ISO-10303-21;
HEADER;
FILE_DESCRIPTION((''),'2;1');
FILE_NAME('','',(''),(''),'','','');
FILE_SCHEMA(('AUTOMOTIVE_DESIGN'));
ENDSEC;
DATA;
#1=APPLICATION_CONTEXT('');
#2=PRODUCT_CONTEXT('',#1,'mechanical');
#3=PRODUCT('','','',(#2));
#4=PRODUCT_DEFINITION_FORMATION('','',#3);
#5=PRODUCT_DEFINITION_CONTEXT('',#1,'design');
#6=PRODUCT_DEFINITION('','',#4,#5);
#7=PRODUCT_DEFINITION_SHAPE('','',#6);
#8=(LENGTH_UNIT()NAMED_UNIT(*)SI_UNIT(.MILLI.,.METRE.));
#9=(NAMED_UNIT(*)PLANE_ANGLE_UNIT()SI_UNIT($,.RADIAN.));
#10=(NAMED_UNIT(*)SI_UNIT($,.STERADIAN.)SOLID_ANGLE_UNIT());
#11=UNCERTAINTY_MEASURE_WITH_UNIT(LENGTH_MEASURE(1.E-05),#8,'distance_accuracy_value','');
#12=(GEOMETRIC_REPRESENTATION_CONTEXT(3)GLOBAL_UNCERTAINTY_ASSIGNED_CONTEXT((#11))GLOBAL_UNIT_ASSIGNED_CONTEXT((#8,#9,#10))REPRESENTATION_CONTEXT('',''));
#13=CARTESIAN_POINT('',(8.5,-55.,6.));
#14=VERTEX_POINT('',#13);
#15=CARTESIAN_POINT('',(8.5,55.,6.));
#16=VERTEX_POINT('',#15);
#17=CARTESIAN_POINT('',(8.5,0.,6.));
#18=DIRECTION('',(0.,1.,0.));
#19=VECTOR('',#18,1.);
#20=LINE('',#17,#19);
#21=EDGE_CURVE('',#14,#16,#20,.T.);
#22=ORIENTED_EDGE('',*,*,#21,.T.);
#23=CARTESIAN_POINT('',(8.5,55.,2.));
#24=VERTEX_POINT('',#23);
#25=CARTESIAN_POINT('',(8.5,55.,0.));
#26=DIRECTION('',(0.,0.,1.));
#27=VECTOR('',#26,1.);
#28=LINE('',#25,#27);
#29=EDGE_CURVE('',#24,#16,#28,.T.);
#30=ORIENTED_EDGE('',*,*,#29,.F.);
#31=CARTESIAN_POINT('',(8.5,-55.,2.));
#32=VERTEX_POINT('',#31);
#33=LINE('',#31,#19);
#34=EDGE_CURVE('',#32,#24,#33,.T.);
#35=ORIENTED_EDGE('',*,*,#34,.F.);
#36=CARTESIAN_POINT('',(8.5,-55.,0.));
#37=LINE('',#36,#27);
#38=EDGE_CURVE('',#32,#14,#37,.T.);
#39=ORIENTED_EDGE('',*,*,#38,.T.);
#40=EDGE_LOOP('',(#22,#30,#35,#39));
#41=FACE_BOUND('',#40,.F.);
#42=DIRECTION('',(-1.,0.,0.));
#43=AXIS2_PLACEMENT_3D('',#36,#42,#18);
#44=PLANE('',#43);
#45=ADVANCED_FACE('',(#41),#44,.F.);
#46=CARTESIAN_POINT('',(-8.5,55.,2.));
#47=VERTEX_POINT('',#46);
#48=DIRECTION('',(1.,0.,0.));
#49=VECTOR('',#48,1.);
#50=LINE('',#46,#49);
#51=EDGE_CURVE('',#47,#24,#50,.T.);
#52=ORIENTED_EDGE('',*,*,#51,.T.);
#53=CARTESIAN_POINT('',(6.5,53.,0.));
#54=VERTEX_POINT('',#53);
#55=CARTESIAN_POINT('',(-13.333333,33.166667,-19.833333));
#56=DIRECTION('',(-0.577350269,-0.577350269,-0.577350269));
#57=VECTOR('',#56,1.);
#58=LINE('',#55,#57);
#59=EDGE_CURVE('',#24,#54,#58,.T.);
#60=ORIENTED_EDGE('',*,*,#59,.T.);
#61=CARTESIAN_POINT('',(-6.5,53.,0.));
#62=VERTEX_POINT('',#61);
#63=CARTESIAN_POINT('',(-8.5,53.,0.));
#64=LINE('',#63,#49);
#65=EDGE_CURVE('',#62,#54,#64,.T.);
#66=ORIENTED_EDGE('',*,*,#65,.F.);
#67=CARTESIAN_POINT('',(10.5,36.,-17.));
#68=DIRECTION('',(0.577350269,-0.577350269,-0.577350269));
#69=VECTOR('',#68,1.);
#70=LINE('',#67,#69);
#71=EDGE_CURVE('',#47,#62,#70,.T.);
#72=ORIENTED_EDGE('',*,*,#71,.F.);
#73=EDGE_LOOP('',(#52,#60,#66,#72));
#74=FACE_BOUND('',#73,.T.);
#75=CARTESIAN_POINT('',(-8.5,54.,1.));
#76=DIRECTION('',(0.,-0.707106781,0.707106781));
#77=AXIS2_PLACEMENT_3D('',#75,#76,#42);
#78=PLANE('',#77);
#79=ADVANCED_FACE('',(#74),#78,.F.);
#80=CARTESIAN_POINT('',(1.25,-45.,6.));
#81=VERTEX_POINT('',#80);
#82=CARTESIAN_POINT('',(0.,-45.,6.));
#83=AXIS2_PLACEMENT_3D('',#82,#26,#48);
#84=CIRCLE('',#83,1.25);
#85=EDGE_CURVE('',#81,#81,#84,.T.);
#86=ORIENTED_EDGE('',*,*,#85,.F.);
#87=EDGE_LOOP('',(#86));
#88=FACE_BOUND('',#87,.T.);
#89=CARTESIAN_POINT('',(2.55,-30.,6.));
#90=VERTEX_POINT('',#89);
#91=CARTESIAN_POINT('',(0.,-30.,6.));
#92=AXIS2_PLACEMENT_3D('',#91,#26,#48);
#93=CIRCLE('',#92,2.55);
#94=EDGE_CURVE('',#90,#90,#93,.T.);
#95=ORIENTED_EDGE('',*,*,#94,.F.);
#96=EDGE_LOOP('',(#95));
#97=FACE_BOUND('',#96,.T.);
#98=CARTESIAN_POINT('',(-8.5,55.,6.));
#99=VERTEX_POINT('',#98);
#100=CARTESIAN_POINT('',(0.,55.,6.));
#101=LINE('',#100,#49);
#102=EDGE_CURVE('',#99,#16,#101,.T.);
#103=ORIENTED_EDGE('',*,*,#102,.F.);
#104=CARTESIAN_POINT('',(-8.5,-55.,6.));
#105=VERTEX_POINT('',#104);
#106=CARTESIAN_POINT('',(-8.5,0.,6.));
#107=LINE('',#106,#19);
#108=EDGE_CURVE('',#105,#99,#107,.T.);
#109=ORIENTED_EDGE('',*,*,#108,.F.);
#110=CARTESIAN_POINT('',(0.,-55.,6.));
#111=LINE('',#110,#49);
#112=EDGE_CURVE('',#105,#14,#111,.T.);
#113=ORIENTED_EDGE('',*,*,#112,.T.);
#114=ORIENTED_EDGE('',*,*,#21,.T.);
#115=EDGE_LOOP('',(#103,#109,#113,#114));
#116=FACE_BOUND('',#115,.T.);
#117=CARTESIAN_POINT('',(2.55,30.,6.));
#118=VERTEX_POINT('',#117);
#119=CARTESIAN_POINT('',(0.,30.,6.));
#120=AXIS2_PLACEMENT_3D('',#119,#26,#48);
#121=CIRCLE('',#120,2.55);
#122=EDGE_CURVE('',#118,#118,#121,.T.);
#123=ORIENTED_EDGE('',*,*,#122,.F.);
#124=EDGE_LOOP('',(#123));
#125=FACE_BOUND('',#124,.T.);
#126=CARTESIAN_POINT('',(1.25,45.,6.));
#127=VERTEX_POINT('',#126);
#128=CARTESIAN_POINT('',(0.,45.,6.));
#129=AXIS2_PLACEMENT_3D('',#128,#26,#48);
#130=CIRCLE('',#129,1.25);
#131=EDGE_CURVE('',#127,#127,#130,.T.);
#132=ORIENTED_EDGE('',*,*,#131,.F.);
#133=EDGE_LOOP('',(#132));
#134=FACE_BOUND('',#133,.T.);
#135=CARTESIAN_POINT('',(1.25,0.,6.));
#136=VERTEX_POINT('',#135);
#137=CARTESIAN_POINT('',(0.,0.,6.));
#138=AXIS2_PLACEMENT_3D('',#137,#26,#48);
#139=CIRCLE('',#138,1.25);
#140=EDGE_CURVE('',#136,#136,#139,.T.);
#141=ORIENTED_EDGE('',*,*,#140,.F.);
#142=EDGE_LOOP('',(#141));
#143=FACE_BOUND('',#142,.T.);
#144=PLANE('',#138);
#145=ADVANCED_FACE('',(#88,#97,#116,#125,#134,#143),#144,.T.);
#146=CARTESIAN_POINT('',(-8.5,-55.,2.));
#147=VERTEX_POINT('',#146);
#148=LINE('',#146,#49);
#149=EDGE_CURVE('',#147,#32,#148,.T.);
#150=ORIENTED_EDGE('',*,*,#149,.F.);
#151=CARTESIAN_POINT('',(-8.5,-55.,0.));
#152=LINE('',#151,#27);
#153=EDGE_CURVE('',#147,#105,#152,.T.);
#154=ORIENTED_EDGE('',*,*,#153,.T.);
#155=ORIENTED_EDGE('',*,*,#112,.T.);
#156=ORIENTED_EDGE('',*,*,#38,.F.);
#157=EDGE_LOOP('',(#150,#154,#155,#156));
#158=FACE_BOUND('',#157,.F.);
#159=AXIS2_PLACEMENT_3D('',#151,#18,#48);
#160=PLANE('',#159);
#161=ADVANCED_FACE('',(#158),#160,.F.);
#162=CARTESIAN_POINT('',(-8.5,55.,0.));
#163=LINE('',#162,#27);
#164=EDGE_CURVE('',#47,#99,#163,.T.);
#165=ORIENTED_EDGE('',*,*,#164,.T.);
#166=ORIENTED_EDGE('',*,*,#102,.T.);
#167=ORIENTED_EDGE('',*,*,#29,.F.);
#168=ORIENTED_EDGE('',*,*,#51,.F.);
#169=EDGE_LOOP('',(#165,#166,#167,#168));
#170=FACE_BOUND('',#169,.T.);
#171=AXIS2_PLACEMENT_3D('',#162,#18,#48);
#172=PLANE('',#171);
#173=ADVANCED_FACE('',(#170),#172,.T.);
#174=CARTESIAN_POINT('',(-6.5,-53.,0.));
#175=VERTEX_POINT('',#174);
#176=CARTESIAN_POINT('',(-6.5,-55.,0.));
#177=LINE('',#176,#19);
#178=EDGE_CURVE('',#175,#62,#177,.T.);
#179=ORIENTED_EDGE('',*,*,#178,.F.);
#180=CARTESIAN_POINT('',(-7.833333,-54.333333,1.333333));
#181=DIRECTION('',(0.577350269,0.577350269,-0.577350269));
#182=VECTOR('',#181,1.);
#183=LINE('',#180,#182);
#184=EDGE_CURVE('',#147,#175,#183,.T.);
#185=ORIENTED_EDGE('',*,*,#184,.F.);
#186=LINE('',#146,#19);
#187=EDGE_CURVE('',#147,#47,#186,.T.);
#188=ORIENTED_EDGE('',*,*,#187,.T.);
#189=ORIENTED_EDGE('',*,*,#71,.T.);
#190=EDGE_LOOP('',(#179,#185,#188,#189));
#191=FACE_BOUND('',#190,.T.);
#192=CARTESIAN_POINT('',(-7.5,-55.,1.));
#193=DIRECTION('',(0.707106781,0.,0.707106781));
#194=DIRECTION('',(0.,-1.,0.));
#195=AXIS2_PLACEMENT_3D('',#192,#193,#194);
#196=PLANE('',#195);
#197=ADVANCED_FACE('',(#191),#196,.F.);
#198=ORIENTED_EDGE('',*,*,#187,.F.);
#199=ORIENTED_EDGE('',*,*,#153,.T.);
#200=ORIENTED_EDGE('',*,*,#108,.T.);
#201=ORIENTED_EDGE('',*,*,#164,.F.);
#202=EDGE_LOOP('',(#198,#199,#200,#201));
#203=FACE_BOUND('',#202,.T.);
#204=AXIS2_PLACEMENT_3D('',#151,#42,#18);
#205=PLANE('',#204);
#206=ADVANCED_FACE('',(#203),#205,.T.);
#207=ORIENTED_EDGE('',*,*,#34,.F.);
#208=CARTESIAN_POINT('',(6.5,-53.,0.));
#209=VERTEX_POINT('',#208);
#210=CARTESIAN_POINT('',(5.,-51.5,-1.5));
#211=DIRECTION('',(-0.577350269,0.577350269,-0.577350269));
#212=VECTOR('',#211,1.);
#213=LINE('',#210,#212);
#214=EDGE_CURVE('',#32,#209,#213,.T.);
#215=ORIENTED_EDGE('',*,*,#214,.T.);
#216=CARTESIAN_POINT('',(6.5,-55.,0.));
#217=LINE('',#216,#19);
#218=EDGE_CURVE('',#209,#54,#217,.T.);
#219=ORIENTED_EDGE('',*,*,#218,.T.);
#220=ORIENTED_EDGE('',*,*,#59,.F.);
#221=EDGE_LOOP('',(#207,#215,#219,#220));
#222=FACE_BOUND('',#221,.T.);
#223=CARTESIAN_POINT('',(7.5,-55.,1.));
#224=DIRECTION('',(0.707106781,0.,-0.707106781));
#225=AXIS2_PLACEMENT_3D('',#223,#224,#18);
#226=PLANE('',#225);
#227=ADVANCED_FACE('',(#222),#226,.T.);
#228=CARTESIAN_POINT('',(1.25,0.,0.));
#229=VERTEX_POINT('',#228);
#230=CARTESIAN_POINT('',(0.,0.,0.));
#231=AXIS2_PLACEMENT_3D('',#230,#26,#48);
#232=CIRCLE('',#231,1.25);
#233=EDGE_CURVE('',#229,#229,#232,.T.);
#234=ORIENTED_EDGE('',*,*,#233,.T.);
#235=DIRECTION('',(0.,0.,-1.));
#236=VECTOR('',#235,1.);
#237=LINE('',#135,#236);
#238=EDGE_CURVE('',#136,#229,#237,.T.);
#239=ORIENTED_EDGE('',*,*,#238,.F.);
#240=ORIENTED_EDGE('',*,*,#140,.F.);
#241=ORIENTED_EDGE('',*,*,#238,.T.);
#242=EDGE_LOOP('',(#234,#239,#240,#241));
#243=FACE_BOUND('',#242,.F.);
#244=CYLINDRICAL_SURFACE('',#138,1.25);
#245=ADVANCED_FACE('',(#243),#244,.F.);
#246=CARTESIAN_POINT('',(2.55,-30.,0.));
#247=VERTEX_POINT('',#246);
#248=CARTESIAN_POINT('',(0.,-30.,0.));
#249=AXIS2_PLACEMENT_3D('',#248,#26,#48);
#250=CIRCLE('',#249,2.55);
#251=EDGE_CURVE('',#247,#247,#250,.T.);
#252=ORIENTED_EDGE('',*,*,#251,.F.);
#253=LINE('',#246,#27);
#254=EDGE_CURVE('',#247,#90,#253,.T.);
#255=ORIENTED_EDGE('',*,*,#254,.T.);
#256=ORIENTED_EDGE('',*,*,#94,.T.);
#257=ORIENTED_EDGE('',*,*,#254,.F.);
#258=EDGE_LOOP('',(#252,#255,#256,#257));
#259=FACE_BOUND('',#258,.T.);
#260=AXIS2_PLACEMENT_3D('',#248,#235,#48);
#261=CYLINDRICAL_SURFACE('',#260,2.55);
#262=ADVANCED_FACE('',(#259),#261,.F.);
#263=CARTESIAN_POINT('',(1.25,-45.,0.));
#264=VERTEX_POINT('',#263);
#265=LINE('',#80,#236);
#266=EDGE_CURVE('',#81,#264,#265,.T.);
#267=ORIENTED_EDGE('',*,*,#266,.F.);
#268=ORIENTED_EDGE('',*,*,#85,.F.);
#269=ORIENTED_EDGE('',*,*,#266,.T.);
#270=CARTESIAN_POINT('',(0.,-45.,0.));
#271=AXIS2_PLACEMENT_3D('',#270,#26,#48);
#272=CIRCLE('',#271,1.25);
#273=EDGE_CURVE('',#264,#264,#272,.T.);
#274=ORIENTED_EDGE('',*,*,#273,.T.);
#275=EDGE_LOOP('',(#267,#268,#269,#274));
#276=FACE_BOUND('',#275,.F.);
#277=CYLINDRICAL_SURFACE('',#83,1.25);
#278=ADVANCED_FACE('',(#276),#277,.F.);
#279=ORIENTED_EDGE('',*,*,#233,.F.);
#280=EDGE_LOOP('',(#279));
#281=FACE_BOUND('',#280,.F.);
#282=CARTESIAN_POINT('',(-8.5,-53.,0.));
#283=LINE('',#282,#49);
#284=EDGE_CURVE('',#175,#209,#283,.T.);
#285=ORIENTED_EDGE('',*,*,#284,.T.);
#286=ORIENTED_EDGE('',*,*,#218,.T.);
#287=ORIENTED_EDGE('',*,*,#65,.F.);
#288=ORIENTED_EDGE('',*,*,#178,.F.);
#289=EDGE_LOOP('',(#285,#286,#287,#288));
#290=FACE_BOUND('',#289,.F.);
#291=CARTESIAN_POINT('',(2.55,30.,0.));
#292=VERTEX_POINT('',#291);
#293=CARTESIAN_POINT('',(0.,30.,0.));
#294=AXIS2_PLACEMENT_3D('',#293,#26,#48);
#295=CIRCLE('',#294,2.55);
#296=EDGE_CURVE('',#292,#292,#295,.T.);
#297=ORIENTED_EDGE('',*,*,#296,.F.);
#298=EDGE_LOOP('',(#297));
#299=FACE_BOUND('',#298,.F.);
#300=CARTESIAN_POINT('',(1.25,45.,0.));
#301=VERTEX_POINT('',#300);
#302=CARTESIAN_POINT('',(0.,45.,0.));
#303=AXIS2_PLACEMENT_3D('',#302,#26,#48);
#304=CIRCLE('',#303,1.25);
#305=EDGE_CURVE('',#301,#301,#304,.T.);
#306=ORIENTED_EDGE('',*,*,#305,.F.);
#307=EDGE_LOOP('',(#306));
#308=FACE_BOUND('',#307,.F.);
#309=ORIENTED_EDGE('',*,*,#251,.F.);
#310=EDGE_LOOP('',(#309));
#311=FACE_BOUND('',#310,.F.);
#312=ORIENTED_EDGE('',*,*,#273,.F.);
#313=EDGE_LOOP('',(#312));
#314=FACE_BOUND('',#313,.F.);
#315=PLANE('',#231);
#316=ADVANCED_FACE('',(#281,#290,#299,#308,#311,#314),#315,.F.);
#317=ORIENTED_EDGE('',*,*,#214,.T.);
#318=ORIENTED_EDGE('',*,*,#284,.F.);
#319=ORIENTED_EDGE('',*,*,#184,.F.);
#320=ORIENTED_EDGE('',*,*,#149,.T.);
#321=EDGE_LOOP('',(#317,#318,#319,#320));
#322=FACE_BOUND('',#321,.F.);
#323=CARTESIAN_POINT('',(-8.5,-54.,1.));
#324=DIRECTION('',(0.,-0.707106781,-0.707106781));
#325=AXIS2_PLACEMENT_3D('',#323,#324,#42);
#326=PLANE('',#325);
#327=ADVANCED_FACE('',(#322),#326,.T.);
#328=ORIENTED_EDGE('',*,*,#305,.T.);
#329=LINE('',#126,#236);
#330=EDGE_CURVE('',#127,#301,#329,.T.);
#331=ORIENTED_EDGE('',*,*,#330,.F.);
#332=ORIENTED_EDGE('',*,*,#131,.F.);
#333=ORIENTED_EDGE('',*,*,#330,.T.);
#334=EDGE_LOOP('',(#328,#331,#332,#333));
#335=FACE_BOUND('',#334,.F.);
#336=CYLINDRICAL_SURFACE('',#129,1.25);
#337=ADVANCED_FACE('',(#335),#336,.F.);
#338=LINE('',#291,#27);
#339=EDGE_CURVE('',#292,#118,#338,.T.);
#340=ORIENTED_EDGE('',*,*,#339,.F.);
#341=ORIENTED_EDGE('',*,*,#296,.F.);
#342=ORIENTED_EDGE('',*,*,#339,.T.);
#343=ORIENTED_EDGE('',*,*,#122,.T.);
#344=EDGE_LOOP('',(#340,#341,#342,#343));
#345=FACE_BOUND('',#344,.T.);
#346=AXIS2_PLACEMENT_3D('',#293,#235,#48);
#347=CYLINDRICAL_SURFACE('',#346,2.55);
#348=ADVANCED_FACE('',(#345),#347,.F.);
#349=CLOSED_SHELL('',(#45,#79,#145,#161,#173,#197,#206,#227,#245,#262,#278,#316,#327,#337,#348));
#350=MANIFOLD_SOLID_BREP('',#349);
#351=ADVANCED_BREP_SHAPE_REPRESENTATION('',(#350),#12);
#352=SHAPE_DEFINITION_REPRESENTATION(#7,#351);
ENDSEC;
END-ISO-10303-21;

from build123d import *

# Parameters (mm, degrees)
SKETCH_W      = 17
SKETCH_H      = 110
PAD_DEPTH     = 6
SKETCH001_R   = 2.55
HOLE_DEPTH    = 6
SKETCH002_R   = 1.25
HOLE001_DEPTH = 6
CHAMFER_SIZE  = 2


with BuildPart() as part:
    # Sketch → Pad (new body)
    with BuildSketch(Plane.XY):
        Rectangle(SKETCH_W, SKETCH_H)
    extrude(amount=PAD_DEPTH)

    # Sketch001 → Hole (cut)
    with BuildSketch(Plane.XY):
        with Locations((0, 30)):
            Circle(SKETCH001_R)
        with Locations((0, -30)):
            Circle(SKETCH001_R)
    extrude(amount=HOLE_DEPTH, mode=Mode.SUBTRACT)

    # Sketch002 (on Face6 of Pad) → Hole001 (cut)
    with BuildSketch(Plane.XY.offset(6)):
        with Locations((0, 45)):
            Circle(SKETCH002_R)
        with Locations((0, -45)):
            Circle(SKETCH002_R)
        Circle(SKETCH002_R)
    extrude(amount=-HOLE001_DEPTH, mode=Mode.SUBTRACT)

    # Chamfer
    chamfer_edges = [part.edges().sort_by_distance(p)[0] for p in [
        (0, -55, 0),
        (0, 55, 0),
        (-8.5, 0, 0),
        (8.5, 0, 0),
    ]]
    chamfer(chamfer_edges, length=CHAMFER_SIZE)


solid = part.part
